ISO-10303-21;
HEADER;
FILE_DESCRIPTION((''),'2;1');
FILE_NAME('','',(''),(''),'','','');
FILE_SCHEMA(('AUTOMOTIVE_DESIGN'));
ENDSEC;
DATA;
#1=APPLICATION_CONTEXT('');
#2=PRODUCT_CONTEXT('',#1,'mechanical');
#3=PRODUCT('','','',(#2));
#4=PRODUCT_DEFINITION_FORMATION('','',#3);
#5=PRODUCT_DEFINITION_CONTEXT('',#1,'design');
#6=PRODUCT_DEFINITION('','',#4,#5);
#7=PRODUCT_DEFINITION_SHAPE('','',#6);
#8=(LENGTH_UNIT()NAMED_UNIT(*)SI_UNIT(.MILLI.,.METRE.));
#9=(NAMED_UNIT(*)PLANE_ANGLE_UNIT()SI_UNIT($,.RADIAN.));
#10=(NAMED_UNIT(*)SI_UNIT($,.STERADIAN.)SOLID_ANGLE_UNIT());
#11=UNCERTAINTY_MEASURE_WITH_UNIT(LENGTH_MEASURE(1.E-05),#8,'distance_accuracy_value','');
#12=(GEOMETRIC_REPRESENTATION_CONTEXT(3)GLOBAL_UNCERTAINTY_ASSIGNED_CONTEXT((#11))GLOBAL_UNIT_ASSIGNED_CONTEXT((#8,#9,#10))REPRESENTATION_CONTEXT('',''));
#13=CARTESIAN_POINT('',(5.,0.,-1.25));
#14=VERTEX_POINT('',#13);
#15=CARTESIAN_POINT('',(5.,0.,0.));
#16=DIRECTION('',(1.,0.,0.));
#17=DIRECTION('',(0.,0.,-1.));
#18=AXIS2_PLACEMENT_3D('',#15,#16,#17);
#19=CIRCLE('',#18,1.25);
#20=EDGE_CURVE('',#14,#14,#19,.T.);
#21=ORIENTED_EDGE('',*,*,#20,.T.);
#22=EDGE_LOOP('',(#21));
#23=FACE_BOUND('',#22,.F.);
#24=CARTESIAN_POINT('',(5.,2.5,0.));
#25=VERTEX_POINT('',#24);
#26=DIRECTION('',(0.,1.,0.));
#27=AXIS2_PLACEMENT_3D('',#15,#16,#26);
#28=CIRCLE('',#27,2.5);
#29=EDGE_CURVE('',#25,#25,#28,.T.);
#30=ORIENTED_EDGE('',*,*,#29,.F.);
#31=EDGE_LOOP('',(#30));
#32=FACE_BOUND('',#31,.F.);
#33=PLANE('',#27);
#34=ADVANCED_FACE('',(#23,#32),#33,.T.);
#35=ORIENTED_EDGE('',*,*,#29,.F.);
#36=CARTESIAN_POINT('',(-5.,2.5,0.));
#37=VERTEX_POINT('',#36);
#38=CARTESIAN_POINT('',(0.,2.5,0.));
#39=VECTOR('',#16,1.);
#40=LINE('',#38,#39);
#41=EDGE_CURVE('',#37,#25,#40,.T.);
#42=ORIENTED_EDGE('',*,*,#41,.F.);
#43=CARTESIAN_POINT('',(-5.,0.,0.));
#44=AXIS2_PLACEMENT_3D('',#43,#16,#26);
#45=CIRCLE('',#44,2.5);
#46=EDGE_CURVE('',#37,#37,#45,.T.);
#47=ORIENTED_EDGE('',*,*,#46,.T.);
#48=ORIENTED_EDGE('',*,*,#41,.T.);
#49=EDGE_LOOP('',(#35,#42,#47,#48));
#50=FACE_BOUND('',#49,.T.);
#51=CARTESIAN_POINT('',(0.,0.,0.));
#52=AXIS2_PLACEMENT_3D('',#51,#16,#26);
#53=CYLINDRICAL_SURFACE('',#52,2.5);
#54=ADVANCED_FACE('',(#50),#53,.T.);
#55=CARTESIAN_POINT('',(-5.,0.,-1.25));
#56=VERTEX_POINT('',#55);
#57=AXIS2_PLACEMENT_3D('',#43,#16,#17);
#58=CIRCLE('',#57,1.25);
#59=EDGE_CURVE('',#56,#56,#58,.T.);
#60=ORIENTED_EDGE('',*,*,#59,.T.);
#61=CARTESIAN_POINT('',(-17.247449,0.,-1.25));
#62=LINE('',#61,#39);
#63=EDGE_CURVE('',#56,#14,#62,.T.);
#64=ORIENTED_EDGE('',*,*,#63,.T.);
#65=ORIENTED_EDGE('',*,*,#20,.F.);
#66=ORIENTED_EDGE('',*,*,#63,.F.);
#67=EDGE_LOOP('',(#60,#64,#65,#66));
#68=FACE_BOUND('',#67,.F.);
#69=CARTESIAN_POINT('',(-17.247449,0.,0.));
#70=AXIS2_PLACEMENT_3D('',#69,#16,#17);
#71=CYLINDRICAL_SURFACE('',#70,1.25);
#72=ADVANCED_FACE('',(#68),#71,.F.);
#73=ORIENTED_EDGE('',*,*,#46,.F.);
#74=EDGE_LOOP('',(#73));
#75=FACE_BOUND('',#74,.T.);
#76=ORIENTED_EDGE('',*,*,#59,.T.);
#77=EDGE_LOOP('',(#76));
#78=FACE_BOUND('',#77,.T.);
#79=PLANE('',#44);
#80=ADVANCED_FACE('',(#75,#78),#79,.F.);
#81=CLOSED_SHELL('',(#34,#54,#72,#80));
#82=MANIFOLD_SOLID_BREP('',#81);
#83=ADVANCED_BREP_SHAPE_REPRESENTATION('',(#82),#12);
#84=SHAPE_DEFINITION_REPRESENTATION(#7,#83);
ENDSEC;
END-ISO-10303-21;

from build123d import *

# Parameters (mm, degrees)
SKETCH1_W         = 10
SKETCH1_H         = 2.5
TROU_TARAUD_M31_D = 2.5


with BuildPart() as part:
    # Sketch1 → Revolve1 (revolve)
    with BuildSketch(Plane.XY):
        with Locations((0, 1.25)):
            Rectangle(SKETCH1_W, SKETCH1_H)
    revolve(axis=Axis((-5, 0, 0), (1, 0, 0)))

    # Trou taraudé M31 (through all)
    with Locations(Plane.ZY.offset(5)):
        with Locations((0, 0)):
            Hole(TROU_TARAUD_M31_D / 2)


solid = part.part
